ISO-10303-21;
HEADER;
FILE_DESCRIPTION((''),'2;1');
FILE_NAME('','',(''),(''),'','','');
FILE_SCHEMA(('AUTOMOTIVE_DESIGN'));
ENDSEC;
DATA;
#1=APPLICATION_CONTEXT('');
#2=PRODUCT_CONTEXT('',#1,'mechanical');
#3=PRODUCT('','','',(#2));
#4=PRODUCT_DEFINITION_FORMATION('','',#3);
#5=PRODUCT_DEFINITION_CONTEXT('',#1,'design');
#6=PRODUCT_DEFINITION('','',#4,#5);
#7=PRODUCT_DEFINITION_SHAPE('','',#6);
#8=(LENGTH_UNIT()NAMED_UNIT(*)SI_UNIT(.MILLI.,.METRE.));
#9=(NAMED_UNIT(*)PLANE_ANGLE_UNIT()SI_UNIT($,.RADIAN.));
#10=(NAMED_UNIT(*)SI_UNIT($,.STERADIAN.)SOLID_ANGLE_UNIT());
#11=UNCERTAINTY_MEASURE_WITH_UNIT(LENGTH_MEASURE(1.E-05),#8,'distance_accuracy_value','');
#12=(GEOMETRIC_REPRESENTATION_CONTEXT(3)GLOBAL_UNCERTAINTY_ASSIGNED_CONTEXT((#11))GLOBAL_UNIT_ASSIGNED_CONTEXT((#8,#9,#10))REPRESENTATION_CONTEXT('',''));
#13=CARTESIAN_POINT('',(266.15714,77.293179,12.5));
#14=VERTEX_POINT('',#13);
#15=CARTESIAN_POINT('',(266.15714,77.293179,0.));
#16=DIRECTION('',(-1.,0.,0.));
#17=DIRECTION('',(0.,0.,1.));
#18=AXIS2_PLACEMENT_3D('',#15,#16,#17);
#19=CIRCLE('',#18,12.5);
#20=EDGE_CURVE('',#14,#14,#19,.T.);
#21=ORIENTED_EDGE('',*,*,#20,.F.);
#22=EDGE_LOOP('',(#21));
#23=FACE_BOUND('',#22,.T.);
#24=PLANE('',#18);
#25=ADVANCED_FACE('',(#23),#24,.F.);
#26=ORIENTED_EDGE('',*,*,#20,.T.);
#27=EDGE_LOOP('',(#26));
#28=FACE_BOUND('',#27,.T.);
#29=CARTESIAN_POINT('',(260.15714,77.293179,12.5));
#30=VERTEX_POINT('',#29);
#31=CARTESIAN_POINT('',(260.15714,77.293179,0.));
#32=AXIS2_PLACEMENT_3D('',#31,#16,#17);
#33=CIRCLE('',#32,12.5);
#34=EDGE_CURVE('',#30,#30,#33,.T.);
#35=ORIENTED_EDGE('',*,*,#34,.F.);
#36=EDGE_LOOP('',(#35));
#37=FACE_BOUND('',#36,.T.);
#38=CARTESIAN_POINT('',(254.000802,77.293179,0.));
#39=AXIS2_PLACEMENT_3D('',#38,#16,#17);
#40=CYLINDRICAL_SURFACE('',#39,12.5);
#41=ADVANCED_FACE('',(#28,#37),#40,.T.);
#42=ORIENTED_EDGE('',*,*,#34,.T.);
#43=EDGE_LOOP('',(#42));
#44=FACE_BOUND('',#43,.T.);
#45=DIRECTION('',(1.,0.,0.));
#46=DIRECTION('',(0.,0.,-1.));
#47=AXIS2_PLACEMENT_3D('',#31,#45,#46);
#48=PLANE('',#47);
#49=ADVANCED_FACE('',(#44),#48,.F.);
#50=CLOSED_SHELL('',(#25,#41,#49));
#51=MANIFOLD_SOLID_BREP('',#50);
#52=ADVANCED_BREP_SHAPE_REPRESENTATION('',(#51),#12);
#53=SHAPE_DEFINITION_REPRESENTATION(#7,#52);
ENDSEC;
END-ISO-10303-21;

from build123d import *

# Parameters (mm, degrees)
SKETCH_1_W = 6
SKETCH_1_H = 12.5


with BuildPart() as part:
    # 草图1 → 旋转1 (revolve)
    with BuildSketch(Plane.XY, mode=Mode.PRIVATE) as revolve_1_sk:
        with Locations((263.157140493, 83.543179349)):
            Rectangle(SKETCH_1_W, SKETCH_1_H)
    revolve(revolve_1_sk.sketch.rotate(Axis((254.000801993, 77.293179349, 0), (1, 0, 0)), 90), axis=Axis((254.000801993, 77.293179349, 0), (1, 0, 0)))  # turned: the seam where the file's is


solid = part.part
